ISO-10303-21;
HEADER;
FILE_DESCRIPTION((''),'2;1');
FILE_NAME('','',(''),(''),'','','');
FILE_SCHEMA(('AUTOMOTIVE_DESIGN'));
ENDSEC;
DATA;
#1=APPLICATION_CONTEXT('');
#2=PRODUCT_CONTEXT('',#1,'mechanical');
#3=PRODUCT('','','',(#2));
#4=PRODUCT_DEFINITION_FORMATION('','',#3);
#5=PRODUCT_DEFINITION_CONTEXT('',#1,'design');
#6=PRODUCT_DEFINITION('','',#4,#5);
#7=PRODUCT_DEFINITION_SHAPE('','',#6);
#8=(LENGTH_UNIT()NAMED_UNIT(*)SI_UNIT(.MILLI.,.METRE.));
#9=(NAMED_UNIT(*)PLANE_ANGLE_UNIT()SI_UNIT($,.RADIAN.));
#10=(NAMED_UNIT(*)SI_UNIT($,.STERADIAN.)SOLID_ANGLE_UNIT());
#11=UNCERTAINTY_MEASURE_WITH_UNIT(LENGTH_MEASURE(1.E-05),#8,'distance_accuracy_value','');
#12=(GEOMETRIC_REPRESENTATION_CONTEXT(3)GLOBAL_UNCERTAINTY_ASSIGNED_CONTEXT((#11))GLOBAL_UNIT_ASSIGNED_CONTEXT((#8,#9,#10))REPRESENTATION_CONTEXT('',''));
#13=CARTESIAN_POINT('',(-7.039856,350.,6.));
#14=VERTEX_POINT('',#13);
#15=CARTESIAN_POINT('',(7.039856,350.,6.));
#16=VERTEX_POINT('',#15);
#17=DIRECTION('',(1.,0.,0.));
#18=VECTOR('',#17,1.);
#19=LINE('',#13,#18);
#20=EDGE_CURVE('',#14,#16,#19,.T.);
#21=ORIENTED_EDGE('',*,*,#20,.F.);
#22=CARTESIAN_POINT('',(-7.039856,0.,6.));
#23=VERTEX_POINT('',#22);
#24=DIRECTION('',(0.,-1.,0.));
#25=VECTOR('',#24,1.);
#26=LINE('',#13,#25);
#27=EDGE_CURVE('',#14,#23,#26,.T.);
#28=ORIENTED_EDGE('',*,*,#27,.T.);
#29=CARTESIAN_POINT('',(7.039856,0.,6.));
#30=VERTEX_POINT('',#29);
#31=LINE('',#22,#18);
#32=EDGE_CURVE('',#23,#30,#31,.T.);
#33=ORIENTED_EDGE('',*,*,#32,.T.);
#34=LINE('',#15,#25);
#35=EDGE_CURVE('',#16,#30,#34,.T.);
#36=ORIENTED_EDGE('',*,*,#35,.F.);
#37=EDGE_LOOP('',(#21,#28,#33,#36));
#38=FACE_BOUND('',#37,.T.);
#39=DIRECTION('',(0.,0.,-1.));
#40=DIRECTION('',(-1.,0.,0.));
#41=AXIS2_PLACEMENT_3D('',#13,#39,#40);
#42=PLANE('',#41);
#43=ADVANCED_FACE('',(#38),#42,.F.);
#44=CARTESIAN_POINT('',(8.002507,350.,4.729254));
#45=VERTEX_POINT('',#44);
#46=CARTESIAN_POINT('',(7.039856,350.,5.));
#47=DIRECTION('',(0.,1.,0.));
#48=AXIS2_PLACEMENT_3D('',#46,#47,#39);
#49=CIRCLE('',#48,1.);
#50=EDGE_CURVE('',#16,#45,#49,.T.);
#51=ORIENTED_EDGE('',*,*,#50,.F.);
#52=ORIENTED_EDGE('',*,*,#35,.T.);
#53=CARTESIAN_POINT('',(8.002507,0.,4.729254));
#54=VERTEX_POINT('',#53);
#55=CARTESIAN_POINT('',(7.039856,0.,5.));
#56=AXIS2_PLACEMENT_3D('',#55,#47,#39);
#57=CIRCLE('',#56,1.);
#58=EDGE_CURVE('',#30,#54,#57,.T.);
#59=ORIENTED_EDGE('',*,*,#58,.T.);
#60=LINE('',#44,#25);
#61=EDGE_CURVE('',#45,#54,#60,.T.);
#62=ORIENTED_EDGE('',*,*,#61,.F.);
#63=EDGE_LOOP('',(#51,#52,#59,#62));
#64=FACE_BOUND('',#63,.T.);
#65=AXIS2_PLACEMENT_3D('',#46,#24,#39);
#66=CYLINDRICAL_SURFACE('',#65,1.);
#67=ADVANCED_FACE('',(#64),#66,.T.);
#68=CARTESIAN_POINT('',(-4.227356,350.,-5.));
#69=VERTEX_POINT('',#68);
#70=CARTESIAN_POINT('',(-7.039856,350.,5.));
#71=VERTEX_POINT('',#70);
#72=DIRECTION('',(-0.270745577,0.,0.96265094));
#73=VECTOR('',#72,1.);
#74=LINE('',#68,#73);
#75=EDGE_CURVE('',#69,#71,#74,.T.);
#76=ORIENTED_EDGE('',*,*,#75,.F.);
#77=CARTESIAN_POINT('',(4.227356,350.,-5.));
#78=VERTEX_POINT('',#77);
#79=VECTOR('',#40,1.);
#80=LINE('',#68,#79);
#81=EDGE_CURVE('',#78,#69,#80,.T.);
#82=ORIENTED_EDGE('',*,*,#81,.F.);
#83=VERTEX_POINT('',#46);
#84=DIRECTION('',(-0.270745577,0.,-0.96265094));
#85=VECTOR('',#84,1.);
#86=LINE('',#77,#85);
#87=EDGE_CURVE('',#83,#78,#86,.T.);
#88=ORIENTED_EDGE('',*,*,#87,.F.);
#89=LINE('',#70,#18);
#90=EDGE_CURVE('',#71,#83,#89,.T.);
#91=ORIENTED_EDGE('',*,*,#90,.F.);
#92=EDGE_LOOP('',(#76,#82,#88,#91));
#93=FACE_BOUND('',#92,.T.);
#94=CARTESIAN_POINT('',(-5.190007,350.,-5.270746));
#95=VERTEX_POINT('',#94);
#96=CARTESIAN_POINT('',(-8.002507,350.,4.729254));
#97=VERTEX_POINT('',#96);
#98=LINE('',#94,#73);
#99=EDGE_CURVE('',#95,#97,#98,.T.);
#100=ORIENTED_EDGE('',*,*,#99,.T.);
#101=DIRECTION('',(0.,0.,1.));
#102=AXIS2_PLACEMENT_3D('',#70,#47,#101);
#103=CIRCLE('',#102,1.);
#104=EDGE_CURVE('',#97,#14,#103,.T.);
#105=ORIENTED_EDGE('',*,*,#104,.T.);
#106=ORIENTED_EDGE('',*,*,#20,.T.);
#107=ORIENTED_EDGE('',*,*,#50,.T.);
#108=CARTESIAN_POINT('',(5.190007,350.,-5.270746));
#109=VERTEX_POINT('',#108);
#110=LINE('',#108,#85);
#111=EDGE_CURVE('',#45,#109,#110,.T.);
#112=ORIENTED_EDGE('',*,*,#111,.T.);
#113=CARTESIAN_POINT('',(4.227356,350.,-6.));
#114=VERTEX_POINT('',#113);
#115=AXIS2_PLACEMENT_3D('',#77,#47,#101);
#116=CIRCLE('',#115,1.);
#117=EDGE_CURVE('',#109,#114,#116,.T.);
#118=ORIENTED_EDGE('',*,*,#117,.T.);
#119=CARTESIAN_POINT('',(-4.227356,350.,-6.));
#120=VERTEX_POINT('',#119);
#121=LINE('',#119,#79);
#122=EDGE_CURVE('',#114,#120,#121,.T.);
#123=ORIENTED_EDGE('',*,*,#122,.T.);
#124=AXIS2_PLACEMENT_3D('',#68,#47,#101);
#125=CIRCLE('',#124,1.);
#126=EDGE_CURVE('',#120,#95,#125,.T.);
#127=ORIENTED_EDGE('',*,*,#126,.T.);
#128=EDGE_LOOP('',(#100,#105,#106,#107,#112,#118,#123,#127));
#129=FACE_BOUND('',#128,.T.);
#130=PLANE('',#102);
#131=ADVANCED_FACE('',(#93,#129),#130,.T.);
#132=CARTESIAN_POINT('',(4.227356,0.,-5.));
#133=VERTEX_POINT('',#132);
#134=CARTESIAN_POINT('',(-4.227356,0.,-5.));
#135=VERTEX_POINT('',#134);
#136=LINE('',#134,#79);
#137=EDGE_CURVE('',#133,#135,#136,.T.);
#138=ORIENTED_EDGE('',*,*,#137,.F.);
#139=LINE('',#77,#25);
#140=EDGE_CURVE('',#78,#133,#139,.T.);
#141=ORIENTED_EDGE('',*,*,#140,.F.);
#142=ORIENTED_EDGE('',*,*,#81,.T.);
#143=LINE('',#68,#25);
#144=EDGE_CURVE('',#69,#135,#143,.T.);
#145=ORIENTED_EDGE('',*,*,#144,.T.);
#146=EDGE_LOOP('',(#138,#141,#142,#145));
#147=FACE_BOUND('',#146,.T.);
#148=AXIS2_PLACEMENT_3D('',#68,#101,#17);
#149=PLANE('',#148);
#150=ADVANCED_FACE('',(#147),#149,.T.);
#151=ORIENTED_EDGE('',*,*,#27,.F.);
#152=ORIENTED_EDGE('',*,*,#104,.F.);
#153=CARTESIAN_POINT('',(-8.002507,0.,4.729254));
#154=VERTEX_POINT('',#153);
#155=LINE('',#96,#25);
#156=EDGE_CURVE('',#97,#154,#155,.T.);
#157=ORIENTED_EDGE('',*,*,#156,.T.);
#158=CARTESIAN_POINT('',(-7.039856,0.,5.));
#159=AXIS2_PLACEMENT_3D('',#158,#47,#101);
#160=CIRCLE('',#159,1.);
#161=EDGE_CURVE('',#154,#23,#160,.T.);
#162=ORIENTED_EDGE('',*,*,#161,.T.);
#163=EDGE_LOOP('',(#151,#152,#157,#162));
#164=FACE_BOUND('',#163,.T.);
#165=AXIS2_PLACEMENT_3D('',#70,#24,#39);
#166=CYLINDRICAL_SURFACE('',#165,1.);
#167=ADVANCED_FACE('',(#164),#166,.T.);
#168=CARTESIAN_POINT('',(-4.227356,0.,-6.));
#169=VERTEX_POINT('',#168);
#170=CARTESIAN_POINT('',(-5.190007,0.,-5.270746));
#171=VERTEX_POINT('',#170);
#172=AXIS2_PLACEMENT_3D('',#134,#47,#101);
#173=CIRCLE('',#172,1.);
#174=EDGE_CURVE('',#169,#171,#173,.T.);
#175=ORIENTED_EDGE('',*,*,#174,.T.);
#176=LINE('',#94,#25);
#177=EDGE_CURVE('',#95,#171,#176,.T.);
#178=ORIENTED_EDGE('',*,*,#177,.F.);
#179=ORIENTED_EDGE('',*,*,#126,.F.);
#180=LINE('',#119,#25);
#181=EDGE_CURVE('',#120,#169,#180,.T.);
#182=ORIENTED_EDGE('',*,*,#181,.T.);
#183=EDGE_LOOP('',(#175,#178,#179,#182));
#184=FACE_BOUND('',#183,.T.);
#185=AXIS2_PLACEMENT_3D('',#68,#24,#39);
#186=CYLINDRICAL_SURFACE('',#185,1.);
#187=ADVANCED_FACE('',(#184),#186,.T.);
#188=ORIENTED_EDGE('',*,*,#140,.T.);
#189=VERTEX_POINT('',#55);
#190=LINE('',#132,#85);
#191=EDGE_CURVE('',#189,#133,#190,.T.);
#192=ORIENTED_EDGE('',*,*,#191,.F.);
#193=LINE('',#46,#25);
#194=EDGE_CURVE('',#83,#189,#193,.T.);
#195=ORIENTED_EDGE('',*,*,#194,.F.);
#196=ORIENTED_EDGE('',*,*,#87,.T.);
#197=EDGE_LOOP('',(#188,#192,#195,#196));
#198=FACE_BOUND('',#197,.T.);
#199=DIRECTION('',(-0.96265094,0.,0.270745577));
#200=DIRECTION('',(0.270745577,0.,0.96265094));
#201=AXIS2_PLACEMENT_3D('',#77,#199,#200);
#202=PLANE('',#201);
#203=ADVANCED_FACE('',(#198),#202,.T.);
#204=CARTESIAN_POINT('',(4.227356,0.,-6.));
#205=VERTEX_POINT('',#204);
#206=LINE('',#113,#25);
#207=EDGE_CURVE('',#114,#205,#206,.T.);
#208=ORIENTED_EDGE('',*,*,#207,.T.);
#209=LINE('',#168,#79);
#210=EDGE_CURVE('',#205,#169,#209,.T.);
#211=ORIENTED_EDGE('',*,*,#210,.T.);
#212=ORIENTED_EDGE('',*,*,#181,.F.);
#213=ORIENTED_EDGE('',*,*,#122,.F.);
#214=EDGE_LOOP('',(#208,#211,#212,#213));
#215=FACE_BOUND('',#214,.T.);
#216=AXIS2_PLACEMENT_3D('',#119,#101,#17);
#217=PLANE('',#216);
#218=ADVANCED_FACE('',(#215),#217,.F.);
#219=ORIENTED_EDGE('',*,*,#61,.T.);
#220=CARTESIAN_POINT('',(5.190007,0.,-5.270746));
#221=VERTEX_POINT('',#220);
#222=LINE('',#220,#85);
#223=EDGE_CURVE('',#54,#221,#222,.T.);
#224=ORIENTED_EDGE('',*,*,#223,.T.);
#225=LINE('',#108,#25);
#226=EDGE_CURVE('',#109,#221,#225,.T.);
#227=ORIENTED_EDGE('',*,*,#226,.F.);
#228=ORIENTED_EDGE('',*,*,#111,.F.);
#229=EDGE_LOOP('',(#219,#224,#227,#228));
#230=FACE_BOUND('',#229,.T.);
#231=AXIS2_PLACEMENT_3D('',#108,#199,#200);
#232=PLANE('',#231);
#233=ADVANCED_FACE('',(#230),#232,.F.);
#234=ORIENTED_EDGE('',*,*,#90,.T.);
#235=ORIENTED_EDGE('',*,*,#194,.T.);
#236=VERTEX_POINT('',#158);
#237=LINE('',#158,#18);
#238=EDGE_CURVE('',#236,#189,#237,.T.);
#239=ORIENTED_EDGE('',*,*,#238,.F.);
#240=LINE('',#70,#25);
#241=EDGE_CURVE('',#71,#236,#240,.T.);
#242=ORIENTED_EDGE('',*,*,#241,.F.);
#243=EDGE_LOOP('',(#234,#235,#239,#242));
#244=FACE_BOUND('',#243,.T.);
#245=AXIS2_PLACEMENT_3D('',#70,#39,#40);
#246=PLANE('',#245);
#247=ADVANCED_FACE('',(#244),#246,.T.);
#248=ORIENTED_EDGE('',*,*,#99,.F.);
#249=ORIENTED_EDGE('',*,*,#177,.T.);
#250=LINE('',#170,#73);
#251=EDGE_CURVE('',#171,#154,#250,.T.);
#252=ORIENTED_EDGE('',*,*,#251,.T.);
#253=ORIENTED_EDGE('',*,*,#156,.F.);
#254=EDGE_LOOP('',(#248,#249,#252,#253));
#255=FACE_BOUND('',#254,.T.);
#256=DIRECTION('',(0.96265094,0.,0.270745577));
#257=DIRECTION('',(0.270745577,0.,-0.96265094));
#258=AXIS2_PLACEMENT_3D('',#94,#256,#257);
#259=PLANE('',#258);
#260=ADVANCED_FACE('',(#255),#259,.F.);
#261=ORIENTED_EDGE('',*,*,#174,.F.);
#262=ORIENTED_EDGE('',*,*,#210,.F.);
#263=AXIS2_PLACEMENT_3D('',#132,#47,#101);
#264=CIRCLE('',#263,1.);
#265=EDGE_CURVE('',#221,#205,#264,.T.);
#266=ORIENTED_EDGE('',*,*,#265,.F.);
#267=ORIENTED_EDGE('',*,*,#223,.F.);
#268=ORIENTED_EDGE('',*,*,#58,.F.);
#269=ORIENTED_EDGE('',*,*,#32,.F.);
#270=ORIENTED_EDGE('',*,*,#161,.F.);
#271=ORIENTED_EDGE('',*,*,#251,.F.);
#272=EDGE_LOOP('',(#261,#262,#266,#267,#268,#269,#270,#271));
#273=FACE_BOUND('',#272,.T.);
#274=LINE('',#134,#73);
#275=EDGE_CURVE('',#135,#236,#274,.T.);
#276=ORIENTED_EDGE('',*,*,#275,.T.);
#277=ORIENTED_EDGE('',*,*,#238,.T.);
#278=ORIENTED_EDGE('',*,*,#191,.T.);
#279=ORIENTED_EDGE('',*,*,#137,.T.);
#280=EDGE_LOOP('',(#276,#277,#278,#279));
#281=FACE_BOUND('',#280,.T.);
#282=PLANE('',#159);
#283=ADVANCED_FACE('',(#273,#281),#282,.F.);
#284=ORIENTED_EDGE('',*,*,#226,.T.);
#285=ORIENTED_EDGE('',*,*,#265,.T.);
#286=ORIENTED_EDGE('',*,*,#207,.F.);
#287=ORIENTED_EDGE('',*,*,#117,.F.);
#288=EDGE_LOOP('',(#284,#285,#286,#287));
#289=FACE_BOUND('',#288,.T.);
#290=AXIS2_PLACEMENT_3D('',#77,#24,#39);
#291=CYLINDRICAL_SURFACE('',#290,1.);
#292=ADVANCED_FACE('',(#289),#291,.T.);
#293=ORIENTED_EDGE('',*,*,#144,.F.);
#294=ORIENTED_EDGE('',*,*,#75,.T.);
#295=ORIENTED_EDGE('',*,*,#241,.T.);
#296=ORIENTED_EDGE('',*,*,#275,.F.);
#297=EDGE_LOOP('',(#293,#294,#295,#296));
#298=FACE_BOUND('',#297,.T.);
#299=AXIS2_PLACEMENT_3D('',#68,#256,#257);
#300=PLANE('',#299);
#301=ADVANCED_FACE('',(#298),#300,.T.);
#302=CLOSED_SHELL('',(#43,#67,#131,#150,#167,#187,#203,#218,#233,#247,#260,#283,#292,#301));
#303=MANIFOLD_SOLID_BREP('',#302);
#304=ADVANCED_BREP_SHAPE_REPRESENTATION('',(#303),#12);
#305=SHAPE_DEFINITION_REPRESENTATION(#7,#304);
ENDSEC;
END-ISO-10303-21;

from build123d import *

# Parameters (mm, degrees)
BOSS_EXTRUDE1_DEPTH = 350


with BuildPart() as part:
    # Sketch1 → Boss-Extrude1 (new body)
    with BuildSketch(Plane(origin=(0, 0, 0), x_dir=(1, 0, 0), z_dir=(0, 1, 0))):
        with BuildLine():
            Line((-7.039855599, -6), (7.039855599, -6))
            ThreePointArc((7.039855599, -6), (7.836958346, -5.603843698), (8.002506539, -4.729254423))
            Line((8.002506539, -4.729254423), (5.190006539, 5.270745577))
            ThreePointArc((5.190006539, 5.270745577), (4.831199297, 5.797102746), (4.227355599, 6))
            Line((4.227355599, 6), (-4.227355599, 6))
            ThreePointArc((-4.227355599, 6), (-4.831199297, 5.797102746), (-5.190006539, 5.270745577))
            Line((-5.190006539, 5.270745577), (-8.002506539, -4.729254423))
            ThreePointArc((-8.002506539, -4.729254423), (-7.836958346, -5.603843698), (-7.039855599, -6))
        make_face()
        Polygon((-7.039855599, -5), (7.039855599, -5), (4.227355599, 5), (-4.227355599, 5), align=None, mode=Mode.SUBTRACT)
    extrude(amount=BOSS_EXTRUDE1_DEPTH)


solid = part.part
